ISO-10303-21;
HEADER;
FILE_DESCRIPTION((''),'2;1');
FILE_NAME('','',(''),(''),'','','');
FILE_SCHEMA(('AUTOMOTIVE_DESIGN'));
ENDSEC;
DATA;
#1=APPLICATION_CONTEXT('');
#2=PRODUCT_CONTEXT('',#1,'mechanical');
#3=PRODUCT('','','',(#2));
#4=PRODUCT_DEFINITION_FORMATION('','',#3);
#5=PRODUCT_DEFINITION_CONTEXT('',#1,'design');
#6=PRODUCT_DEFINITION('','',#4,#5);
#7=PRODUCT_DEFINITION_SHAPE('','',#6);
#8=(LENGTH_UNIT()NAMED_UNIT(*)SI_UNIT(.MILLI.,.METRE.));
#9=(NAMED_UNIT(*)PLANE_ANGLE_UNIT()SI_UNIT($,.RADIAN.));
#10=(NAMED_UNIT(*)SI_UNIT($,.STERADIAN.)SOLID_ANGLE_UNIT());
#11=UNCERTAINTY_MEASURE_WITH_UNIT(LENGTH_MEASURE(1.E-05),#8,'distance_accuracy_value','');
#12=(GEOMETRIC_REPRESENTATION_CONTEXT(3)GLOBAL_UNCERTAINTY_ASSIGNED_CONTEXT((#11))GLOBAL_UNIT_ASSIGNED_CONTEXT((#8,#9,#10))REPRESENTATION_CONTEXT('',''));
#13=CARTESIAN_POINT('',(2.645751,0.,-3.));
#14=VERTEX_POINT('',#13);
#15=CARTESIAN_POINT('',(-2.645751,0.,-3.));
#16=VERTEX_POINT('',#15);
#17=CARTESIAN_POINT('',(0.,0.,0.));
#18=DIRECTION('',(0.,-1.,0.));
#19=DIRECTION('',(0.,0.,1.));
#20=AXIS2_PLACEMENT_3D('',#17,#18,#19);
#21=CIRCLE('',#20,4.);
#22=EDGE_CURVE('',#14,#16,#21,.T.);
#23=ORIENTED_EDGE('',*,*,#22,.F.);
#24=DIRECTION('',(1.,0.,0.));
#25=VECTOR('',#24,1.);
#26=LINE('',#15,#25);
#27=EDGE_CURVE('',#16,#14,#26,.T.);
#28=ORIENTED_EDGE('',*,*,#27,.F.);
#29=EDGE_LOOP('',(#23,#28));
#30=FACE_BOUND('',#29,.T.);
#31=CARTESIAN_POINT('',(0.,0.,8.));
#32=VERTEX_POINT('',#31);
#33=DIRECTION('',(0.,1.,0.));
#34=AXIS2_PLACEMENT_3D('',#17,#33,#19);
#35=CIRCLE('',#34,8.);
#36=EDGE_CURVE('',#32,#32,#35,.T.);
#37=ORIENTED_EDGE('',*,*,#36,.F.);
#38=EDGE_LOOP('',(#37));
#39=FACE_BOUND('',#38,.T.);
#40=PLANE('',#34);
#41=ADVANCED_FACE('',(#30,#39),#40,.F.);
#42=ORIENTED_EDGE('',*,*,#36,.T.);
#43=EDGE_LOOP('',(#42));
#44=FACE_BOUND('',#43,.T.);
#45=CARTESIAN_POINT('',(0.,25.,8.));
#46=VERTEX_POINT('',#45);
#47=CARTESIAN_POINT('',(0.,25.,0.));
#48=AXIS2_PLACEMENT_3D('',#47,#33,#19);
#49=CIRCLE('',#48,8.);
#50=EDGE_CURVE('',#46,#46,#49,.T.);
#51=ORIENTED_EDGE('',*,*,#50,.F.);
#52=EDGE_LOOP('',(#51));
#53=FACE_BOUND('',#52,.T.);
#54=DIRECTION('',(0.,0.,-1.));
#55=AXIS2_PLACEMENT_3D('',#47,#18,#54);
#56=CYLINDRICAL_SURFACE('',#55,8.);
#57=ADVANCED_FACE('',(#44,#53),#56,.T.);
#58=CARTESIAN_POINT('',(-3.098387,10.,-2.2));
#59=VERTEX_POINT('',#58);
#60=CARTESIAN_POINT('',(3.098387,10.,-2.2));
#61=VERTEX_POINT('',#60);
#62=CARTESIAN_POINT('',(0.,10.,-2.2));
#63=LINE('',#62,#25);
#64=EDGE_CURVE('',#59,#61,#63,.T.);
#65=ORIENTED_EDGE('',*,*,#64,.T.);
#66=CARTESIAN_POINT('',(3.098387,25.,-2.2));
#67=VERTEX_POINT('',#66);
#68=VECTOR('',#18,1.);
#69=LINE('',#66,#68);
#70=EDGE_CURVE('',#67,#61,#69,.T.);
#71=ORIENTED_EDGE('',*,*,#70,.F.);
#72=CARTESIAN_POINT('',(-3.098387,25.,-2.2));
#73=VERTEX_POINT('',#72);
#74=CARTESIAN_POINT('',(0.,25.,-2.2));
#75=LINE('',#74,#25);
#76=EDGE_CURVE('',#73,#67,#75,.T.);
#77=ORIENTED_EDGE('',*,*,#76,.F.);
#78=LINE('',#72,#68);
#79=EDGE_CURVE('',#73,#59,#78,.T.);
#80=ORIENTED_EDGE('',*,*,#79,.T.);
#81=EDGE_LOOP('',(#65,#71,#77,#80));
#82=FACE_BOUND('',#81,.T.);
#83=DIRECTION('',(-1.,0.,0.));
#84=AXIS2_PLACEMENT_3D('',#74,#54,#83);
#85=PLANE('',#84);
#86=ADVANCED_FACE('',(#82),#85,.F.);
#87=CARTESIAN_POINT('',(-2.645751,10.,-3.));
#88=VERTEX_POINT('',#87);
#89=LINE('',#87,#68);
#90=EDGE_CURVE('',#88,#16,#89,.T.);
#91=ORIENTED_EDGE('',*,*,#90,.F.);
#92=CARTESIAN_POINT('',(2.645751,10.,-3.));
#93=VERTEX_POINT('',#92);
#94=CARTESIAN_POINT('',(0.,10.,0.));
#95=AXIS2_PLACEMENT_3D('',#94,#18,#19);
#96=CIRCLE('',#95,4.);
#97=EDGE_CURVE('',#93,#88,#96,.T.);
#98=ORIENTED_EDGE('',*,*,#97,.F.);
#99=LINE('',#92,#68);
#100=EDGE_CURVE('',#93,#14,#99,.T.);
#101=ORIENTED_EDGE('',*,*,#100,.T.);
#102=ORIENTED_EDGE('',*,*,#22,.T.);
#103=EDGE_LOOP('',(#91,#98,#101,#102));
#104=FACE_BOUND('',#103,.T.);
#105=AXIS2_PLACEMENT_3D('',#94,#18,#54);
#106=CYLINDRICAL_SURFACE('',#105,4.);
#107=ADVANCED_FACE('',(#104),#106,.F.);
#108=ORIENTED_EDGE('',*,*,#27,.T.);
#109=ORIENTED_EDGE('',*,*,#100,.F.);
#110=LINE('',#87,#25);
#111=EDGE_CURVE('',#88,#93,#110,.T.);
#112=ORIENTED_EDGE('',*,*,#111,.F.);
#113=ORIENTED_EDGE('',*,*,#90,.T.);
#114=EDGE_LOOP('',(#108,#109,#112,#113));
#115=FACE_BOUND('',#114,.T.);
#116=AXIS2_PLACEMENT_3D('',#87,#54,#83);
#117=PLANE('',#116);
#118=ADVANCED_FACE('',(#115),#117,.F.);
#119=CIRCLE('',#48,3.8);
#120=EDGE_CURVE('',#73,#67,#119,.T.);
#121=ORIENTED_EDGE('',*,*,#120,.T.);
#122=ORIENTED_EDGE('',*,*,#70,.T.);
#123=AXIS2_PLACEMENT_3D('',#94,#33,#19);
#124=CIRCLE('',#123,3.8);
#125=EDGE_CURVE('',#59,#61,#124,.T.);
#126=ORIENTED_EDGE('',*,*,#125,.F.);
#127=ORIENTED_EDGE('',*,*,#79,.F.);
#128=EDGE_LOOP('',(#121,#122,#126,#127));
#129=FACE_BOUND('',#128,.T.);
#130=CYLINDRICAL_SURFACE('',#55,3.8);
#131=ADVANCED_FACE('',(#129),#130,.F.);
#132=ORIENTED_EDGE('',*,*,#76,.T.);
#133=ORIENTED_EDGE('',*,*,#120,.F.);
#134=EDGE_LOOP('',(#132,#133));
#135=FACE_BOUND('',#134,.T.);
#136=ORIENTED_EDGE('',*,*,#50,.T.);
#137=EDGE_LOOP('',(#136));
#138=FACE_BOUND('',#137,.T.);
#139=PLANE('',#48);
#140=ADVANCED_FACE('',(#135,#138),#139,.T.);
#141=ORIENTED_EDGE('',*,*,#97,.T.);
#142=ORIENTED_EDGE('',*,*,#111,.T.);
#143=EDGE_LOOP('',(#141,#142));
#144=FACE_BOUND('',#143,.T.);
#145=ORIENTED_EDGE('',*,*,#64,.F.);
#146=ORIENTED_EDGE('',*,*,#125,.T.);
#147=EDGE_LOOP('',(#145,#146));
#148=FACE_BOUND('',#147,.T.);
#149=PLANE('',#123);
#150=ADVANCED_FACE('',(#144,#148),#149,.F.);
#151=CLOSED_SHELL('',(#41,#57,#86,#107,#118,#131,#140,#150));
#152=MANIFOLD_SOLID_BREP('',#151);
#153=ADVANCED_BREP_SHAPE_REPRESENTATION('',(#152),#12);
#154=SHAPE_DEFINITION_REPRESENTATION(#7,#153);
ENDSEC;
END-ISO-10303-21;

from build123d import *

# Parameters (mm, degrees)
SKETCH1_R           = 8
BOSS_EXTRUDE1_DEPTH = 25
CUT_EXTRUDE1_DEPTH  = 10


with BuildPart() as part:
    # Sketch1 → Boss-Extrude1 (new body)
    with BuildSketch(Plane(origin=(0, 0, 0), x_dir=(1, 0, 0), z_dir=(0, 1, 0))):
        with Locations(Location((0, 0, 0), (0, 0, 270))):
            Circle(SKETCH1_R)
        with BuildLine():
            ThreePointArc((-3.098386677, 2.2), (0, -3.8), (3.098386677, 2.2))
            Line((3.098386677, 2.2), (-3.098386677, 2.2))
        make_face(mode=Mode.SUBTRACT)
    extrude(amount=BOSS_EXTRUDE1_DEPTH)

    # Sketch2 → Cut-Extrude1 (cut)
    with BuildSketch(Plane.XZ):
        with BuildLine():
            Line((-2.645751311, -3), (2.645751311, -3))
            ThreePointArc((2.645751311, -3), (0, 4), (-2.645751311, -3))
        make_face()
    extrude(amount=-CUT_EXTRUDE1_DEPTH, mode=Mode.SUBTRACT)


solid = part.part
